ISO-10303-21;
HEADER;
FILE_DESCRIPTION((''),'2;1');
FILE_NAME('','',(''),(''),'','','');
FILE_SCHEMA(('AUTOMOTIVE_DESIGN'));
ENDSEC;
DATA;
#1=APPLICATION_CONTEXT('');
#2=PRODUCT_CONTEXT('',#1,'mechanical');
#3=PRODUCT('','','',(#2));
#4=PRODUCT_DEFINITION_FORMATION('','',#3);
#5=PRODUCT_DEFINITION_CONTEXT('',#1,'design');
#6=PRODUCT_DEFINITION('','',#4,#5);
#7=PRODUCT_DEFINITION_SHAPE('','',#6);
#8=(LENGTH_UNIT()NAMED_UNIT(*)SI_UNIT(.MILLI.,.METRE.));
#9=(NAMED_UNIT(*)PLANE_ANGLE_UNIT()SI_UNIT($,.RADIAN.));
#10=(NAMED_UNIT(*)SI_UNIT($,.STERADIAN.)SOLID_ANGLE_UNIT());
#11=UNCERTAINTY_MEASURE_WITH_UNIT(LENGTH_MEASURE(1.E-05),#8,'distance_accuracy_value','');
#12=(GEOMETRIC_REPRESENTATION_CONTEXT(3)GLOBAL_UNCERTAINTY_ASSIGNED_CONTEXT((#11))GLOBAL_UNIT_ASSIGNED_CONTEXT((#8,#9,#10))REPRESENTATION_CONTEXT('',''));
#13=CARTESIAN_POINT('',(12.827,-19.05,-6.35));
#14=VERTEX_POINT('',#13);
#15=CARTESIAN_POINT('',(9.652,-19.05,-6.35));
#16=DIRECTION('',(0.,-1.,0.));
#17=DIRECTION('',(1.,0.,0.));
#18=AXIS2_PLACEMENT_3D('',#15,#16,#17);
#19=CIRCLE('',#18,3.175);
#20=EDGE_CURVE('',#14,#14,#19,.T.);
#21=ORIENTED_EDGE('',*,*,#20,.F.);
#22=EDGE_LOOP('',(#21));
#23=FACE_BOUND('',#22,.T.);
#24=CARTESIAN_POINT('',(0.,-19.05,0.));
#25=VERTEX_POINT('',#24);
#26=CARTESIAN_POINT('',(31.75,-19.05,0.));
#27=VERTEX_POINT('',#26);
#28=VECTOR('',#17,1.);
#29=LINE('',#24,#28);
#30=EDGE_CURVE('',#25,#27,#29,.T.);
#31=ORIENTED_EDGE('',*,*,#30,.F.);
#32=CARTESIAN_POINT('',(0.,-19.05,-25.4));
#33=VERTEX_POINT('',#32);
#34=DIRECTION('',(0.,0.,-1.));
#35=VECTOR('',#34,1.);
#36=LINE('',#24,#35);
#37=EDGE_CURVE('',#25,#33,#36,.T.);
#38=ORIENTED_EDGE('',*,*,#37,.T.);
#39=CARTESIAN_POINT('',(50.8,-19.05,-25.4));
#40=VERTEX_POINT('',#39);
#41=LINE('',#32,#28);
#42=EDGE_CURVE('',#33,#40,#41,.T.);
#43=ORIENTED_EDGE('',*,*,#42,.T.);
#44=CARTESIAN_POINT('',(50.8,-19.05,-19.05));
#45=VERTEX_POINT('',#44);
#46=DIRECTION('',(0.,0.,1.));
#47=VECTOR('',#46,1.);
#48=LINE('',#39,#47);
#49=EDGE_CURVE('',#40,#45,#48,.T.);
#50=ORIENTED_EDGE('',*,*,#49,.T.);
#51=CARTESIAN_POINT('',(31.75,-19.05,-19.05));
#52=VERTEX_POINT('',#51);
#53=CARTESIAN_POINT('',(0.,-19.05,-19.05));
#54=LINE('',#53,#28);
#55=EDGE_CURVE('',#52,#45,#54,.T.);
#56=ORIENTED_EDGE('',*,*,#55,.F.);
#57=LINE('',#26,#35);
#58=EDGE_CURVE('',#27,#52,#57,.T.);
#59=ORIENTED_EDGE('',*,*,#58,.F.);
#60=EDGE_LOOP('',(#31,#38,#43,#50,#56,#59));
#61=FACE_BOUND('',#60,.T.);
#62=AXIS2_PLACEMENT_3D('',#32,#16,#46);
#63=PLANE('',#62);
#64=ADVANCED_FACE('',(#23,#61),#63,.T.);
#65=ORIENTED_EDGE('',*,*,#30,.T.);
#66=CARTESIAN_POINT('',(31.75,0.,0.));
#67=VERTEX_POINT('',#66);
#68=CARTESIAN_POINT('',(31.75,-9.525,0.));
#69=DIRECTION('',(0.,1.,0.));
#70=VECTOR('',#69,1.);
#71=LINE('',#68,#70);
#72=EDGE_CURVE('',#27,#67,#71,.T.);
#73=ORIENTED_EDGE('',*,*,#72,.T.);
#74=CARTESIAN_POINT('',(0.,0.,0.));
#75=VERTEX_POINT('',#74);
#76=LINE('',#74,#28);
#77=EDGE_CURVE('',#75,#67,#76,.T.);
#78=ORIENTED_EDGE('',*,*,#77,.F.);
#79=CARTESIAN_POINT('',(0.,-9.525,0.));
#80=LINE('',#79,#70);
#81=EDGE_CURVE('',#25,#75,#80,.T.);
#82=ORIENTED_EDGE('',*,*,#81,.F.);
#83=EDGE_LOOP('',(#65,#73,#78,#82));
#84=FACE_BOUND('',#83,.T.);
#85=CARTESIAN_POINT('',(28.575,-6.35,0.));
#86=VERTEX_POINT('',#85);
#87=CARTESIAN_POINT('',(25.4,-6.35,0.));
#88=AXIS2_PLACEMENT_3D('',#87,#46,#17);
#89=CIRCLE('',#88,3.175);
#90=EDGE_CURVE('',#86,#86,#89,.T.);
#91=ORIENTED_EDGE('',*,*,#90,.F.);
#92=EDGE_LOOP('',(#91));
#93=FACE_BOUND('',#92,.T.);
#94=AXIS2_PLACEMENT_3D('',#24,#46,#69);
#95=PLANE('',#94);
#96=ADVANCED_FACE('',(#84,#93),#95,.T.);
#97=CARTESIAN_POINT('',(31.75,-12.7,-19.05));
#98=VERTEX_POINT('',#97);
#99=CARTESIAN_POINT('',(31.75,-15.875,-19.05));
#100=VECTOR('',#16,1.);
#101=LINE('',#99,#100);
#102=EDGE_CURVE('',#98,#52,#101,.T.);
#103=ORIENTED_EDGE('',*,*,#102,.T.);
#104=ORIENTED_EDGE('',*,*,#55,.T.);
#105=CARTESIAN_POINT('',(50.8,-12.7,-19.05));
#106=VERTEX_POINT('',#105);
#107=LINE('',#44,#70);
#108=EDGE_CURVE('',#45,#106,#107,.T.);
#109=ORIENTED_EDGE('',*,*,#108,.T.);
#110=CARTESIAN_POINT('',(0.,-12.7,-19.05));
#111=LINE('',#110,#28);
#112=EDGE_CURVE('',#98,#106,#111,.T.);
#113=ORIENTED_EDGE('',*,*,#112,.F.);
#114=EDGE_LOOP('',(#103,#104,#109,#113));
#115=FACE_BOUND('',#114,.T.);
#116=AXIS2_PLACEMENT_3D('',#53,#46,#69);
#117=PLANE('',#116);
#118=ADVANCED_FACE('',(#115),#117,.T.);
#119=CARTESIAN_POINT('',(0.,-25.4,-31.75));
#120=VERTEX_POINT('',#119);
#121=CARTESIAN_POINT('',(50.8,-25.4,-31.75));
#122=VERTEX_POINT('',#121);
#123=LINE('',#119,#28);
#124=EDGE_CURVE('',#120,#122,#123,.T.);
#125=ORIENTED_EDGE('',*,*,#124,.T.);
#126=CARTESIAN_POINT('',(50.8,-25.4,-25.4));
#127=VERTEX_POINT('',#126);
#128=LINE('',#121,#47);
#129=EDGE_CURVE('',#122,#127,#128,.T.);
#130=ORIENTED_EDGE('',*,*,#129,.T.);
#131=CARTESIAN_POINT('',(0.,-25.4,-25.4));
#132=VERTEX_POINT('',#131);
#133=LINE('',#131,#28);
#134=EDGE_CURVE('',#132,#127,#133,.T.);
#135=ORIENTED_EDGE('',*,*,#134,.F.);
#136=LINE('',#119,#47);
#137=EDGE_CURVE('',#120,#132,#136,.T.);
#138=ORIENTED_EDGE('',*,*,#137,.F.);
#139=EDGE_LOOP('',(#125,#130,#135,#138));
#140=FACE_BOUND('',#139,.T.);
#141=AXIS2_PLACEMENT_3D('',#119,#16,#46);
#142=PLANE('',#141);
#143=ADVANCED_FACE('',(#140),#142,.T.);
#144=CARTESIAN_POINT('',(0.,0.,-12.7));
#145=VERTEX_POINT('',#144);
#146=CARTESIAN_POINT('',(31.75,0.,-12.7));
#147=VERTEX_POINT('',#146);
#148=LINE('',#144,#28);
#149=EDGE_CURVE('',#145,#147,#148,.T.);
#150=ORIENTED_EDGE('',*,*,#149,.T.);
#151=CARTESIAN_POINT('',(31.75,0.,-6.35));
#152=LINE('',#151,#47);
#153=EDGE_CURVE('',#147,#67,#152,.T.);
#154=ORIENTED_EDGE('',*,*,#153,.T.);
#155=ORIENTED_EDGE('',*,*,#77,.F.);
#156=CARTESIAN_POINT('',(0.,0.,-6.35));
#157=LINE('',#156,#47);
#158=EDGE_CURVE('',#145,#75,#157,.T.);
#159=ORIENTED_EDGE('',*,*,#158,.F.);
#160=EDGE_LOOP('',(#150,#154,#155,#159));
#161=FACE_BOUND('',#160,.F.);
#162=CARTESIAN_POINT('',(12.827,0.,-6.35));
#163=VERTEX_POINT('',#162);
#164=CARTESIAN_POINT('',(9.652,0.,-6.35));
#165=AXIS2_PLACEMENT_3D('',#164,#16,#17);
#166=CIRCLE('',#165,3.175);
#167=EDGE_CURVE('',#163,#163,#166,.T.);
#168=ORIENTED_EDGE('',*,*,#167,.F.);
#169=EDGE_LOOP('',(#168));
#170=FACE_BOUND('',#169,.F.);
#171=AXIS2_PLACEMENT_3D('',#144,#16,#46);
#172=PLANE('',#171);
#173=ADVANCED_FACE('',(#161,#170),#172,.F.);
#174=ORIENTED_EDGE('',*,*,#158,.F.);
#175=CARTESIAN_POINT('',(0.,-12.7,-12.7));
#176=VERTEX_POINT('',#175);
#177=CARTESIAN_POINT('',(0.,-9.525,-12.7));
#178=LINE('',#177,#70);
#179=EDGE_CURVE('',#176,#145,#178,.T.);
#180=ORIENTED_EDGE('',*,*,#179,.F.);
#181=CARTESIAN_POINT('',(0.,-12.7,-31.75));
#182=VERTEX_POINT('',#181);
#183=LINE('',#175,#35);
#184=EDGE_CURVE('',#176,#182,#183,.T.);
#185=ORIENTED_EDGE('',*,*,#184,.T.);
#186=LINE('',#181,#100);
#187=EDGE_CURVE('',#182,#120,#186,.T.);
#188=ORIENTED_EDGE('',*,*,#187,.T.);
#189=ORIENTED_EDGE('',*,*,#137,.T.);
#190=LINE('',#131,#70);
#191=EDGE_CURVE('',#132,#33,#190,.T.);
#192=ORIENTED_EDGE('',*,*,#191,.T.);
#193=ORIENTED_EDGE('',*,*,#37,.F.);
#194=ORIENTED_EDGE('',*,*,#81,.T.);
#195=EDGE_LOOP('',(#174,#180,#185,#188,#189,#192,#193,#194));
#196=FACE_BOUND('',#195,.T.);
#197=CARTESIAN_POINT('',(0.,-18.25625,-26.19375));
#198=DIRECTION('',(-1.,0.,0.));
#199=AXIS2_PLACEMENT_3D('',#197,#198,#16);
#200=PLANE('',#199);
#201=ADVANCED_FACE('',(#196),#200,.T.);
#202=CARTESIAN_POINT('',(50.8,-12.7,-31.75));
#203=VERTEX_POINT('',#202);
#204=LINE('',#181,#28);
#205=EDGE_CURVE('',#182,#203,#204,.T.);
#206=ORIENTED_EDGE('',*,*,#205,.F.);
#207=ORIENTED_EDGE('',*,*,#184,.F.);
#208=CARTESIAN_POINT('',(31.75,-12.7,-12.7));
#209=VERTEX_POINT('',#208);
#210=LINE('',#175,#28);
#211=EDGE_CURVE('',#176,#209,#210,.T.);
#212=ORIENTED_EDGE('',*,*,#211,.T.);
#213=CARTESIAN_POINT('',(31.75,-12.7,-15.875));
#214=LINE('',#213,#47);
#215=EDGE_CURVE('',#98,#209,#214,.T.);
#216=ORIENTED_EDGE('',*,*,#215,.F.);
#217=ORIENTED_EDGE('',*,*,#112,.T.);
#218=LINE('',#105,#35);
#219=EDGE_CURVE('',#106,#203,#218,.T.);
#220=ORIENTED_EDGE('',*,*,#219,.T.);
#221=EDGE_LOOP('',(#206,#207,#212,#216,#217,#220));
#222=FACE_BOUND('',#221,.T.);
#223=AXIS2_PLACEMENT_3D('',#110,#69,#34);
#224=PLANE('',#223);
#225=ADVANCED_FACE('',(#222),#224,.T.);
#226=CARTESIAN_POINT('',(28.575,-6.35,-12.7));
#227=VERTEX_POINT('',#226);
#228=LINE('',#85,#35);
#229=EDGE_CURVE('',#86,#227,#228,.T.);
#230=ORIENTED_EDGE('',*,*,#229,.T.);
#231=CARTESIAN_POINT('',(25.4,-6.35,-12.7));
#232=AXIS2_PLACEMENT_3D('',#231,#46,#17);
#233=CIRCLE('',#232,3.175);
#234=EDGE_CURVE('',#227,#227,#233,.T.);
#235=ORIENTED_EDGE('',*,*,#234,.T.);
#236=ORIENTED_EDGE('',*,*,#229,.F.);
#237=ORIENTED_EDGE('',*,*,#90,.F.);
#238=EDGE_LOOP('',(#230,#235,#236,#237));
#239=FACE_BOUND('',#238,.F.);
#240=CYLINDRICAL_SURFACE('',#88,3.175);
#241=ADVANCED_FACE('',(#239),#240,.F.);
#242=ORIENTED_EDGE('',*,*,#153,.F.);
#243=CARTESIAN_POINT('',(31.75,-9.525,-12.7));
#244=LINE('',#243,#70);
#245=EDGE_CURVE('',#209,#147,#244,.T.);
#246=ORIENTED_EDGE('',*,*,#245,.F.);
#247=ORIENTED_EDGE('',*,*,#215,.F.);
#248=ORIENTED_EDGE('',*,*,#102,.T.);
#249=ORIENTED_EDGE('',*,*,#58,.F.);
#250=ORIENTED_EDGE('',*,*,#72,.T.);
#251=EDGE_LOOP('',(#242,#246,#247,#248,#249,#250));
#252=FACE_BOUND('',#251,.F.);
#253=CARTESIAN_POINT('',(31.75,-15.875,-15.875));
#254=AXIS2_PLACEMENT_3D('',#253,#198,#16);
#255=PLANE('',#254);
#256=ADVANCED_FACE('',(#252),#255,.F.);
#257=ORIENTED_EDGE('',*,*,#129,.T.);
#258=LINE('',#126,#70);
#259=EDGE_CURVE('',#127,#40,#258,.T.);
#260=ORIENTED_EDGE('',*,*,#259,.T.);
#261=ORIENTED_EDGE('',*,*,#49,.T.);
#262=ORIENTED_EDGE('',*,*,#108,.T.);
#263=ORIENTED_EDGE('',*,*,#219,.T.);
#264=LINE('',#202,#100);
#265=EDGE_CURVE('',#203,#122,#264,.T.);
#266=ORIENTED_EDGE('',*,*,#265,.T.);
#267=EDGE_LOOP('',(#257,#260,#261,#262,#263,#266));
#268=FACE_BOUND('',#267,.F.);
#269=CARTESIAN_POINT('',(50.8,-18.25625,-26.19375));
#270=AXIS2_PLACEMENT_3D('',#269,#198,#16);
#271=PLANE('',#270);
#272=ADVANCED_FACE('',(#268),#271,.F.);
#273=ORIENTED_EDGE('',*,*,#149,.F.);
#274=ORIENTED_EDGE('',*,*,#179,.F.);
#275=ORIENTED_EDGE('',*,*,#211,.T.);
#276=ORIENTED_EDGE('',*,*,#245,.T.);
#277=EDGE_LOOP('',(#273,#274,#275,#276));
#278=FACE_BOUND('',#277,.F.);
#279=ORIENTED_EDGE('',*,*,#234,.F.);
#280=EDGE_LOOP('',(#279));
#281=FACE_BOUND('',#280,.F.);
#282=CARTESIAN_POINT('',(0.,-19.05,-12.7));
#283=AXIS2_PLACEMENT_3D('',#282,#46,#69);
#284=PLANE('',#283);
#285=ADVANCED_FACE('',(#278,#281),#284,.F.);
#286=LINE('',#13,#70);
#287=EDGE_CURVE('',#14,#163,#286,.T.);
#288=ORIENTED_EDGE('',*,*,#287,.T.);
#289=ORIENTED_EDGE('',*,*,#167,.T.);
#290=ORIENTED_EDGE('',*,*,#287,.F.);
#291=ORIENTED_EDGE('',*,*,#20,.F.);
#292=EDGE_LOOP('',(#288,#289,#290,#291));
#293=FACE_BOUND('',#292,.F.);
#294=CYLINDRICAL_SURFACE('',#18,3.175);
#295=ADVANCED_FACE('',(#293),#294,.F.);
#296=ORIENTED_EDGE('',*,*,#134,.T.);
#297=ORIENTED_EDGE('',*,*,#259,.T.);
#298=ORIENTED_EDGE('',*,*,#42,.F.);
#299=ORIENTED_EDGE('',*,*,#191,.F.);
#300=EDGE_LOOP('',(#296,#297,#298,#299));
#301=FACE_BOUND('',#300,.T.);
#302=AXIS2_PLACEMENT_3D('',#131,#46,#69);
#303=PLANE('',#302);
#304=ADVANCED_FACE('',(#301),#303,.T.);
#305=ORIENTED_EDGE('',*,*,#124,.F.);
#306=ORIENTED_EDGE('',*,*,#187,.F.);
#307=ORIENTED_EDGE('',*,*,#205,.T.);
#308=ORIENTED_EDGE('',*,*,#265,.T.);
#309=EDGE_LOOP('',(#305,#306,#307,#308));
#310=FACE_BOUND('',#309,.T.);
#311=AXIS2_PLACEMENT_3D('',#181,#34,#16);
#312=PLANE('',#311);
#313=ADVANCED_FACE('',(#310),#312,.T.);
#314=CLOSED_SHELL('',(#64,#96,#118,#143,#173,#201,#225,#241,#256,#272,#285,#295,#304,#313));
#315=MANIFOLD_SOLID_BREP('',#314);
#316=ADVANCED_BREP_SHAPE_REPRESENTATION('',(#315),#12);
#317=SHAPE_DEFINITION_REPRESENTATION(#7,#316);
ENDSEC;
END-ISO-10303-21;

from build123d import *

# Parameters (mm, degrees)
F0_W     = 19.05
F0_H     = 12.7
F1_DEPTH = 31.75
F2_W     = 6.35
F2_H     = 6.35
F3_DEPTH = 31.75
F5_DEPTH = 50.8
F6_R     = 3.175
F7_DEPTH = 31.751
F8_R     = 3.175
F9_DEPTH = 19.051


with BuildPart() as f1:
    # F0 (on Right) → F1 (new body)
    with BuildSketch(Plane.YZ):
        with Locations((-9.525, -6.35)):
            Rectangle(F0_W, F0_H)
    extrude(amount=F1_DEPTH)

    # F2 (on face) → F3 (join)
    with BuildSketch(Plane(origin=(0, 0, 0), x_dir=(0, -1, 0), z_dir=(-1, 0, 0))):
        with Locations((15.875, -15.875)):
            Rectangle(F2_W, F2_H)
    extrude(amount=-F3_DEPTH)

    # F4 (on face) → F5 (join)
    with BuildSketch(Plane(origin=(0, 0, 0), x_dir=(0, -1, 0), z_dir=(-1, 0, 0))):
        Polygon((19.05, -25.4), (19.05, -19.05), (12.7, -19.05), (12.7, -31.75), (25.4, -31.75), (25.4, -25.4), align=None)
    extrude(amount=-F5_DEPTH)

    # F6 (on face) → F7 (cut, through all)
    with BuildSketch(Plane.XY):
        with Locations((25.4, -6.35)):
            Circle(F6_R)
    extrude(amount=-F7_DEPTH, mode=Mode.SUBTRACT)

    # F8 (on face) → F9 (cut, through all)
    with BuildSketch(Plane.XZ.offset(19.05)):
        with Locations((9.652, -6.35)):
            Circle(F8_R)
    extrude(amount=-F9_DEPTH, mode=Mode.SUBTRACT)


solid = f1.part
